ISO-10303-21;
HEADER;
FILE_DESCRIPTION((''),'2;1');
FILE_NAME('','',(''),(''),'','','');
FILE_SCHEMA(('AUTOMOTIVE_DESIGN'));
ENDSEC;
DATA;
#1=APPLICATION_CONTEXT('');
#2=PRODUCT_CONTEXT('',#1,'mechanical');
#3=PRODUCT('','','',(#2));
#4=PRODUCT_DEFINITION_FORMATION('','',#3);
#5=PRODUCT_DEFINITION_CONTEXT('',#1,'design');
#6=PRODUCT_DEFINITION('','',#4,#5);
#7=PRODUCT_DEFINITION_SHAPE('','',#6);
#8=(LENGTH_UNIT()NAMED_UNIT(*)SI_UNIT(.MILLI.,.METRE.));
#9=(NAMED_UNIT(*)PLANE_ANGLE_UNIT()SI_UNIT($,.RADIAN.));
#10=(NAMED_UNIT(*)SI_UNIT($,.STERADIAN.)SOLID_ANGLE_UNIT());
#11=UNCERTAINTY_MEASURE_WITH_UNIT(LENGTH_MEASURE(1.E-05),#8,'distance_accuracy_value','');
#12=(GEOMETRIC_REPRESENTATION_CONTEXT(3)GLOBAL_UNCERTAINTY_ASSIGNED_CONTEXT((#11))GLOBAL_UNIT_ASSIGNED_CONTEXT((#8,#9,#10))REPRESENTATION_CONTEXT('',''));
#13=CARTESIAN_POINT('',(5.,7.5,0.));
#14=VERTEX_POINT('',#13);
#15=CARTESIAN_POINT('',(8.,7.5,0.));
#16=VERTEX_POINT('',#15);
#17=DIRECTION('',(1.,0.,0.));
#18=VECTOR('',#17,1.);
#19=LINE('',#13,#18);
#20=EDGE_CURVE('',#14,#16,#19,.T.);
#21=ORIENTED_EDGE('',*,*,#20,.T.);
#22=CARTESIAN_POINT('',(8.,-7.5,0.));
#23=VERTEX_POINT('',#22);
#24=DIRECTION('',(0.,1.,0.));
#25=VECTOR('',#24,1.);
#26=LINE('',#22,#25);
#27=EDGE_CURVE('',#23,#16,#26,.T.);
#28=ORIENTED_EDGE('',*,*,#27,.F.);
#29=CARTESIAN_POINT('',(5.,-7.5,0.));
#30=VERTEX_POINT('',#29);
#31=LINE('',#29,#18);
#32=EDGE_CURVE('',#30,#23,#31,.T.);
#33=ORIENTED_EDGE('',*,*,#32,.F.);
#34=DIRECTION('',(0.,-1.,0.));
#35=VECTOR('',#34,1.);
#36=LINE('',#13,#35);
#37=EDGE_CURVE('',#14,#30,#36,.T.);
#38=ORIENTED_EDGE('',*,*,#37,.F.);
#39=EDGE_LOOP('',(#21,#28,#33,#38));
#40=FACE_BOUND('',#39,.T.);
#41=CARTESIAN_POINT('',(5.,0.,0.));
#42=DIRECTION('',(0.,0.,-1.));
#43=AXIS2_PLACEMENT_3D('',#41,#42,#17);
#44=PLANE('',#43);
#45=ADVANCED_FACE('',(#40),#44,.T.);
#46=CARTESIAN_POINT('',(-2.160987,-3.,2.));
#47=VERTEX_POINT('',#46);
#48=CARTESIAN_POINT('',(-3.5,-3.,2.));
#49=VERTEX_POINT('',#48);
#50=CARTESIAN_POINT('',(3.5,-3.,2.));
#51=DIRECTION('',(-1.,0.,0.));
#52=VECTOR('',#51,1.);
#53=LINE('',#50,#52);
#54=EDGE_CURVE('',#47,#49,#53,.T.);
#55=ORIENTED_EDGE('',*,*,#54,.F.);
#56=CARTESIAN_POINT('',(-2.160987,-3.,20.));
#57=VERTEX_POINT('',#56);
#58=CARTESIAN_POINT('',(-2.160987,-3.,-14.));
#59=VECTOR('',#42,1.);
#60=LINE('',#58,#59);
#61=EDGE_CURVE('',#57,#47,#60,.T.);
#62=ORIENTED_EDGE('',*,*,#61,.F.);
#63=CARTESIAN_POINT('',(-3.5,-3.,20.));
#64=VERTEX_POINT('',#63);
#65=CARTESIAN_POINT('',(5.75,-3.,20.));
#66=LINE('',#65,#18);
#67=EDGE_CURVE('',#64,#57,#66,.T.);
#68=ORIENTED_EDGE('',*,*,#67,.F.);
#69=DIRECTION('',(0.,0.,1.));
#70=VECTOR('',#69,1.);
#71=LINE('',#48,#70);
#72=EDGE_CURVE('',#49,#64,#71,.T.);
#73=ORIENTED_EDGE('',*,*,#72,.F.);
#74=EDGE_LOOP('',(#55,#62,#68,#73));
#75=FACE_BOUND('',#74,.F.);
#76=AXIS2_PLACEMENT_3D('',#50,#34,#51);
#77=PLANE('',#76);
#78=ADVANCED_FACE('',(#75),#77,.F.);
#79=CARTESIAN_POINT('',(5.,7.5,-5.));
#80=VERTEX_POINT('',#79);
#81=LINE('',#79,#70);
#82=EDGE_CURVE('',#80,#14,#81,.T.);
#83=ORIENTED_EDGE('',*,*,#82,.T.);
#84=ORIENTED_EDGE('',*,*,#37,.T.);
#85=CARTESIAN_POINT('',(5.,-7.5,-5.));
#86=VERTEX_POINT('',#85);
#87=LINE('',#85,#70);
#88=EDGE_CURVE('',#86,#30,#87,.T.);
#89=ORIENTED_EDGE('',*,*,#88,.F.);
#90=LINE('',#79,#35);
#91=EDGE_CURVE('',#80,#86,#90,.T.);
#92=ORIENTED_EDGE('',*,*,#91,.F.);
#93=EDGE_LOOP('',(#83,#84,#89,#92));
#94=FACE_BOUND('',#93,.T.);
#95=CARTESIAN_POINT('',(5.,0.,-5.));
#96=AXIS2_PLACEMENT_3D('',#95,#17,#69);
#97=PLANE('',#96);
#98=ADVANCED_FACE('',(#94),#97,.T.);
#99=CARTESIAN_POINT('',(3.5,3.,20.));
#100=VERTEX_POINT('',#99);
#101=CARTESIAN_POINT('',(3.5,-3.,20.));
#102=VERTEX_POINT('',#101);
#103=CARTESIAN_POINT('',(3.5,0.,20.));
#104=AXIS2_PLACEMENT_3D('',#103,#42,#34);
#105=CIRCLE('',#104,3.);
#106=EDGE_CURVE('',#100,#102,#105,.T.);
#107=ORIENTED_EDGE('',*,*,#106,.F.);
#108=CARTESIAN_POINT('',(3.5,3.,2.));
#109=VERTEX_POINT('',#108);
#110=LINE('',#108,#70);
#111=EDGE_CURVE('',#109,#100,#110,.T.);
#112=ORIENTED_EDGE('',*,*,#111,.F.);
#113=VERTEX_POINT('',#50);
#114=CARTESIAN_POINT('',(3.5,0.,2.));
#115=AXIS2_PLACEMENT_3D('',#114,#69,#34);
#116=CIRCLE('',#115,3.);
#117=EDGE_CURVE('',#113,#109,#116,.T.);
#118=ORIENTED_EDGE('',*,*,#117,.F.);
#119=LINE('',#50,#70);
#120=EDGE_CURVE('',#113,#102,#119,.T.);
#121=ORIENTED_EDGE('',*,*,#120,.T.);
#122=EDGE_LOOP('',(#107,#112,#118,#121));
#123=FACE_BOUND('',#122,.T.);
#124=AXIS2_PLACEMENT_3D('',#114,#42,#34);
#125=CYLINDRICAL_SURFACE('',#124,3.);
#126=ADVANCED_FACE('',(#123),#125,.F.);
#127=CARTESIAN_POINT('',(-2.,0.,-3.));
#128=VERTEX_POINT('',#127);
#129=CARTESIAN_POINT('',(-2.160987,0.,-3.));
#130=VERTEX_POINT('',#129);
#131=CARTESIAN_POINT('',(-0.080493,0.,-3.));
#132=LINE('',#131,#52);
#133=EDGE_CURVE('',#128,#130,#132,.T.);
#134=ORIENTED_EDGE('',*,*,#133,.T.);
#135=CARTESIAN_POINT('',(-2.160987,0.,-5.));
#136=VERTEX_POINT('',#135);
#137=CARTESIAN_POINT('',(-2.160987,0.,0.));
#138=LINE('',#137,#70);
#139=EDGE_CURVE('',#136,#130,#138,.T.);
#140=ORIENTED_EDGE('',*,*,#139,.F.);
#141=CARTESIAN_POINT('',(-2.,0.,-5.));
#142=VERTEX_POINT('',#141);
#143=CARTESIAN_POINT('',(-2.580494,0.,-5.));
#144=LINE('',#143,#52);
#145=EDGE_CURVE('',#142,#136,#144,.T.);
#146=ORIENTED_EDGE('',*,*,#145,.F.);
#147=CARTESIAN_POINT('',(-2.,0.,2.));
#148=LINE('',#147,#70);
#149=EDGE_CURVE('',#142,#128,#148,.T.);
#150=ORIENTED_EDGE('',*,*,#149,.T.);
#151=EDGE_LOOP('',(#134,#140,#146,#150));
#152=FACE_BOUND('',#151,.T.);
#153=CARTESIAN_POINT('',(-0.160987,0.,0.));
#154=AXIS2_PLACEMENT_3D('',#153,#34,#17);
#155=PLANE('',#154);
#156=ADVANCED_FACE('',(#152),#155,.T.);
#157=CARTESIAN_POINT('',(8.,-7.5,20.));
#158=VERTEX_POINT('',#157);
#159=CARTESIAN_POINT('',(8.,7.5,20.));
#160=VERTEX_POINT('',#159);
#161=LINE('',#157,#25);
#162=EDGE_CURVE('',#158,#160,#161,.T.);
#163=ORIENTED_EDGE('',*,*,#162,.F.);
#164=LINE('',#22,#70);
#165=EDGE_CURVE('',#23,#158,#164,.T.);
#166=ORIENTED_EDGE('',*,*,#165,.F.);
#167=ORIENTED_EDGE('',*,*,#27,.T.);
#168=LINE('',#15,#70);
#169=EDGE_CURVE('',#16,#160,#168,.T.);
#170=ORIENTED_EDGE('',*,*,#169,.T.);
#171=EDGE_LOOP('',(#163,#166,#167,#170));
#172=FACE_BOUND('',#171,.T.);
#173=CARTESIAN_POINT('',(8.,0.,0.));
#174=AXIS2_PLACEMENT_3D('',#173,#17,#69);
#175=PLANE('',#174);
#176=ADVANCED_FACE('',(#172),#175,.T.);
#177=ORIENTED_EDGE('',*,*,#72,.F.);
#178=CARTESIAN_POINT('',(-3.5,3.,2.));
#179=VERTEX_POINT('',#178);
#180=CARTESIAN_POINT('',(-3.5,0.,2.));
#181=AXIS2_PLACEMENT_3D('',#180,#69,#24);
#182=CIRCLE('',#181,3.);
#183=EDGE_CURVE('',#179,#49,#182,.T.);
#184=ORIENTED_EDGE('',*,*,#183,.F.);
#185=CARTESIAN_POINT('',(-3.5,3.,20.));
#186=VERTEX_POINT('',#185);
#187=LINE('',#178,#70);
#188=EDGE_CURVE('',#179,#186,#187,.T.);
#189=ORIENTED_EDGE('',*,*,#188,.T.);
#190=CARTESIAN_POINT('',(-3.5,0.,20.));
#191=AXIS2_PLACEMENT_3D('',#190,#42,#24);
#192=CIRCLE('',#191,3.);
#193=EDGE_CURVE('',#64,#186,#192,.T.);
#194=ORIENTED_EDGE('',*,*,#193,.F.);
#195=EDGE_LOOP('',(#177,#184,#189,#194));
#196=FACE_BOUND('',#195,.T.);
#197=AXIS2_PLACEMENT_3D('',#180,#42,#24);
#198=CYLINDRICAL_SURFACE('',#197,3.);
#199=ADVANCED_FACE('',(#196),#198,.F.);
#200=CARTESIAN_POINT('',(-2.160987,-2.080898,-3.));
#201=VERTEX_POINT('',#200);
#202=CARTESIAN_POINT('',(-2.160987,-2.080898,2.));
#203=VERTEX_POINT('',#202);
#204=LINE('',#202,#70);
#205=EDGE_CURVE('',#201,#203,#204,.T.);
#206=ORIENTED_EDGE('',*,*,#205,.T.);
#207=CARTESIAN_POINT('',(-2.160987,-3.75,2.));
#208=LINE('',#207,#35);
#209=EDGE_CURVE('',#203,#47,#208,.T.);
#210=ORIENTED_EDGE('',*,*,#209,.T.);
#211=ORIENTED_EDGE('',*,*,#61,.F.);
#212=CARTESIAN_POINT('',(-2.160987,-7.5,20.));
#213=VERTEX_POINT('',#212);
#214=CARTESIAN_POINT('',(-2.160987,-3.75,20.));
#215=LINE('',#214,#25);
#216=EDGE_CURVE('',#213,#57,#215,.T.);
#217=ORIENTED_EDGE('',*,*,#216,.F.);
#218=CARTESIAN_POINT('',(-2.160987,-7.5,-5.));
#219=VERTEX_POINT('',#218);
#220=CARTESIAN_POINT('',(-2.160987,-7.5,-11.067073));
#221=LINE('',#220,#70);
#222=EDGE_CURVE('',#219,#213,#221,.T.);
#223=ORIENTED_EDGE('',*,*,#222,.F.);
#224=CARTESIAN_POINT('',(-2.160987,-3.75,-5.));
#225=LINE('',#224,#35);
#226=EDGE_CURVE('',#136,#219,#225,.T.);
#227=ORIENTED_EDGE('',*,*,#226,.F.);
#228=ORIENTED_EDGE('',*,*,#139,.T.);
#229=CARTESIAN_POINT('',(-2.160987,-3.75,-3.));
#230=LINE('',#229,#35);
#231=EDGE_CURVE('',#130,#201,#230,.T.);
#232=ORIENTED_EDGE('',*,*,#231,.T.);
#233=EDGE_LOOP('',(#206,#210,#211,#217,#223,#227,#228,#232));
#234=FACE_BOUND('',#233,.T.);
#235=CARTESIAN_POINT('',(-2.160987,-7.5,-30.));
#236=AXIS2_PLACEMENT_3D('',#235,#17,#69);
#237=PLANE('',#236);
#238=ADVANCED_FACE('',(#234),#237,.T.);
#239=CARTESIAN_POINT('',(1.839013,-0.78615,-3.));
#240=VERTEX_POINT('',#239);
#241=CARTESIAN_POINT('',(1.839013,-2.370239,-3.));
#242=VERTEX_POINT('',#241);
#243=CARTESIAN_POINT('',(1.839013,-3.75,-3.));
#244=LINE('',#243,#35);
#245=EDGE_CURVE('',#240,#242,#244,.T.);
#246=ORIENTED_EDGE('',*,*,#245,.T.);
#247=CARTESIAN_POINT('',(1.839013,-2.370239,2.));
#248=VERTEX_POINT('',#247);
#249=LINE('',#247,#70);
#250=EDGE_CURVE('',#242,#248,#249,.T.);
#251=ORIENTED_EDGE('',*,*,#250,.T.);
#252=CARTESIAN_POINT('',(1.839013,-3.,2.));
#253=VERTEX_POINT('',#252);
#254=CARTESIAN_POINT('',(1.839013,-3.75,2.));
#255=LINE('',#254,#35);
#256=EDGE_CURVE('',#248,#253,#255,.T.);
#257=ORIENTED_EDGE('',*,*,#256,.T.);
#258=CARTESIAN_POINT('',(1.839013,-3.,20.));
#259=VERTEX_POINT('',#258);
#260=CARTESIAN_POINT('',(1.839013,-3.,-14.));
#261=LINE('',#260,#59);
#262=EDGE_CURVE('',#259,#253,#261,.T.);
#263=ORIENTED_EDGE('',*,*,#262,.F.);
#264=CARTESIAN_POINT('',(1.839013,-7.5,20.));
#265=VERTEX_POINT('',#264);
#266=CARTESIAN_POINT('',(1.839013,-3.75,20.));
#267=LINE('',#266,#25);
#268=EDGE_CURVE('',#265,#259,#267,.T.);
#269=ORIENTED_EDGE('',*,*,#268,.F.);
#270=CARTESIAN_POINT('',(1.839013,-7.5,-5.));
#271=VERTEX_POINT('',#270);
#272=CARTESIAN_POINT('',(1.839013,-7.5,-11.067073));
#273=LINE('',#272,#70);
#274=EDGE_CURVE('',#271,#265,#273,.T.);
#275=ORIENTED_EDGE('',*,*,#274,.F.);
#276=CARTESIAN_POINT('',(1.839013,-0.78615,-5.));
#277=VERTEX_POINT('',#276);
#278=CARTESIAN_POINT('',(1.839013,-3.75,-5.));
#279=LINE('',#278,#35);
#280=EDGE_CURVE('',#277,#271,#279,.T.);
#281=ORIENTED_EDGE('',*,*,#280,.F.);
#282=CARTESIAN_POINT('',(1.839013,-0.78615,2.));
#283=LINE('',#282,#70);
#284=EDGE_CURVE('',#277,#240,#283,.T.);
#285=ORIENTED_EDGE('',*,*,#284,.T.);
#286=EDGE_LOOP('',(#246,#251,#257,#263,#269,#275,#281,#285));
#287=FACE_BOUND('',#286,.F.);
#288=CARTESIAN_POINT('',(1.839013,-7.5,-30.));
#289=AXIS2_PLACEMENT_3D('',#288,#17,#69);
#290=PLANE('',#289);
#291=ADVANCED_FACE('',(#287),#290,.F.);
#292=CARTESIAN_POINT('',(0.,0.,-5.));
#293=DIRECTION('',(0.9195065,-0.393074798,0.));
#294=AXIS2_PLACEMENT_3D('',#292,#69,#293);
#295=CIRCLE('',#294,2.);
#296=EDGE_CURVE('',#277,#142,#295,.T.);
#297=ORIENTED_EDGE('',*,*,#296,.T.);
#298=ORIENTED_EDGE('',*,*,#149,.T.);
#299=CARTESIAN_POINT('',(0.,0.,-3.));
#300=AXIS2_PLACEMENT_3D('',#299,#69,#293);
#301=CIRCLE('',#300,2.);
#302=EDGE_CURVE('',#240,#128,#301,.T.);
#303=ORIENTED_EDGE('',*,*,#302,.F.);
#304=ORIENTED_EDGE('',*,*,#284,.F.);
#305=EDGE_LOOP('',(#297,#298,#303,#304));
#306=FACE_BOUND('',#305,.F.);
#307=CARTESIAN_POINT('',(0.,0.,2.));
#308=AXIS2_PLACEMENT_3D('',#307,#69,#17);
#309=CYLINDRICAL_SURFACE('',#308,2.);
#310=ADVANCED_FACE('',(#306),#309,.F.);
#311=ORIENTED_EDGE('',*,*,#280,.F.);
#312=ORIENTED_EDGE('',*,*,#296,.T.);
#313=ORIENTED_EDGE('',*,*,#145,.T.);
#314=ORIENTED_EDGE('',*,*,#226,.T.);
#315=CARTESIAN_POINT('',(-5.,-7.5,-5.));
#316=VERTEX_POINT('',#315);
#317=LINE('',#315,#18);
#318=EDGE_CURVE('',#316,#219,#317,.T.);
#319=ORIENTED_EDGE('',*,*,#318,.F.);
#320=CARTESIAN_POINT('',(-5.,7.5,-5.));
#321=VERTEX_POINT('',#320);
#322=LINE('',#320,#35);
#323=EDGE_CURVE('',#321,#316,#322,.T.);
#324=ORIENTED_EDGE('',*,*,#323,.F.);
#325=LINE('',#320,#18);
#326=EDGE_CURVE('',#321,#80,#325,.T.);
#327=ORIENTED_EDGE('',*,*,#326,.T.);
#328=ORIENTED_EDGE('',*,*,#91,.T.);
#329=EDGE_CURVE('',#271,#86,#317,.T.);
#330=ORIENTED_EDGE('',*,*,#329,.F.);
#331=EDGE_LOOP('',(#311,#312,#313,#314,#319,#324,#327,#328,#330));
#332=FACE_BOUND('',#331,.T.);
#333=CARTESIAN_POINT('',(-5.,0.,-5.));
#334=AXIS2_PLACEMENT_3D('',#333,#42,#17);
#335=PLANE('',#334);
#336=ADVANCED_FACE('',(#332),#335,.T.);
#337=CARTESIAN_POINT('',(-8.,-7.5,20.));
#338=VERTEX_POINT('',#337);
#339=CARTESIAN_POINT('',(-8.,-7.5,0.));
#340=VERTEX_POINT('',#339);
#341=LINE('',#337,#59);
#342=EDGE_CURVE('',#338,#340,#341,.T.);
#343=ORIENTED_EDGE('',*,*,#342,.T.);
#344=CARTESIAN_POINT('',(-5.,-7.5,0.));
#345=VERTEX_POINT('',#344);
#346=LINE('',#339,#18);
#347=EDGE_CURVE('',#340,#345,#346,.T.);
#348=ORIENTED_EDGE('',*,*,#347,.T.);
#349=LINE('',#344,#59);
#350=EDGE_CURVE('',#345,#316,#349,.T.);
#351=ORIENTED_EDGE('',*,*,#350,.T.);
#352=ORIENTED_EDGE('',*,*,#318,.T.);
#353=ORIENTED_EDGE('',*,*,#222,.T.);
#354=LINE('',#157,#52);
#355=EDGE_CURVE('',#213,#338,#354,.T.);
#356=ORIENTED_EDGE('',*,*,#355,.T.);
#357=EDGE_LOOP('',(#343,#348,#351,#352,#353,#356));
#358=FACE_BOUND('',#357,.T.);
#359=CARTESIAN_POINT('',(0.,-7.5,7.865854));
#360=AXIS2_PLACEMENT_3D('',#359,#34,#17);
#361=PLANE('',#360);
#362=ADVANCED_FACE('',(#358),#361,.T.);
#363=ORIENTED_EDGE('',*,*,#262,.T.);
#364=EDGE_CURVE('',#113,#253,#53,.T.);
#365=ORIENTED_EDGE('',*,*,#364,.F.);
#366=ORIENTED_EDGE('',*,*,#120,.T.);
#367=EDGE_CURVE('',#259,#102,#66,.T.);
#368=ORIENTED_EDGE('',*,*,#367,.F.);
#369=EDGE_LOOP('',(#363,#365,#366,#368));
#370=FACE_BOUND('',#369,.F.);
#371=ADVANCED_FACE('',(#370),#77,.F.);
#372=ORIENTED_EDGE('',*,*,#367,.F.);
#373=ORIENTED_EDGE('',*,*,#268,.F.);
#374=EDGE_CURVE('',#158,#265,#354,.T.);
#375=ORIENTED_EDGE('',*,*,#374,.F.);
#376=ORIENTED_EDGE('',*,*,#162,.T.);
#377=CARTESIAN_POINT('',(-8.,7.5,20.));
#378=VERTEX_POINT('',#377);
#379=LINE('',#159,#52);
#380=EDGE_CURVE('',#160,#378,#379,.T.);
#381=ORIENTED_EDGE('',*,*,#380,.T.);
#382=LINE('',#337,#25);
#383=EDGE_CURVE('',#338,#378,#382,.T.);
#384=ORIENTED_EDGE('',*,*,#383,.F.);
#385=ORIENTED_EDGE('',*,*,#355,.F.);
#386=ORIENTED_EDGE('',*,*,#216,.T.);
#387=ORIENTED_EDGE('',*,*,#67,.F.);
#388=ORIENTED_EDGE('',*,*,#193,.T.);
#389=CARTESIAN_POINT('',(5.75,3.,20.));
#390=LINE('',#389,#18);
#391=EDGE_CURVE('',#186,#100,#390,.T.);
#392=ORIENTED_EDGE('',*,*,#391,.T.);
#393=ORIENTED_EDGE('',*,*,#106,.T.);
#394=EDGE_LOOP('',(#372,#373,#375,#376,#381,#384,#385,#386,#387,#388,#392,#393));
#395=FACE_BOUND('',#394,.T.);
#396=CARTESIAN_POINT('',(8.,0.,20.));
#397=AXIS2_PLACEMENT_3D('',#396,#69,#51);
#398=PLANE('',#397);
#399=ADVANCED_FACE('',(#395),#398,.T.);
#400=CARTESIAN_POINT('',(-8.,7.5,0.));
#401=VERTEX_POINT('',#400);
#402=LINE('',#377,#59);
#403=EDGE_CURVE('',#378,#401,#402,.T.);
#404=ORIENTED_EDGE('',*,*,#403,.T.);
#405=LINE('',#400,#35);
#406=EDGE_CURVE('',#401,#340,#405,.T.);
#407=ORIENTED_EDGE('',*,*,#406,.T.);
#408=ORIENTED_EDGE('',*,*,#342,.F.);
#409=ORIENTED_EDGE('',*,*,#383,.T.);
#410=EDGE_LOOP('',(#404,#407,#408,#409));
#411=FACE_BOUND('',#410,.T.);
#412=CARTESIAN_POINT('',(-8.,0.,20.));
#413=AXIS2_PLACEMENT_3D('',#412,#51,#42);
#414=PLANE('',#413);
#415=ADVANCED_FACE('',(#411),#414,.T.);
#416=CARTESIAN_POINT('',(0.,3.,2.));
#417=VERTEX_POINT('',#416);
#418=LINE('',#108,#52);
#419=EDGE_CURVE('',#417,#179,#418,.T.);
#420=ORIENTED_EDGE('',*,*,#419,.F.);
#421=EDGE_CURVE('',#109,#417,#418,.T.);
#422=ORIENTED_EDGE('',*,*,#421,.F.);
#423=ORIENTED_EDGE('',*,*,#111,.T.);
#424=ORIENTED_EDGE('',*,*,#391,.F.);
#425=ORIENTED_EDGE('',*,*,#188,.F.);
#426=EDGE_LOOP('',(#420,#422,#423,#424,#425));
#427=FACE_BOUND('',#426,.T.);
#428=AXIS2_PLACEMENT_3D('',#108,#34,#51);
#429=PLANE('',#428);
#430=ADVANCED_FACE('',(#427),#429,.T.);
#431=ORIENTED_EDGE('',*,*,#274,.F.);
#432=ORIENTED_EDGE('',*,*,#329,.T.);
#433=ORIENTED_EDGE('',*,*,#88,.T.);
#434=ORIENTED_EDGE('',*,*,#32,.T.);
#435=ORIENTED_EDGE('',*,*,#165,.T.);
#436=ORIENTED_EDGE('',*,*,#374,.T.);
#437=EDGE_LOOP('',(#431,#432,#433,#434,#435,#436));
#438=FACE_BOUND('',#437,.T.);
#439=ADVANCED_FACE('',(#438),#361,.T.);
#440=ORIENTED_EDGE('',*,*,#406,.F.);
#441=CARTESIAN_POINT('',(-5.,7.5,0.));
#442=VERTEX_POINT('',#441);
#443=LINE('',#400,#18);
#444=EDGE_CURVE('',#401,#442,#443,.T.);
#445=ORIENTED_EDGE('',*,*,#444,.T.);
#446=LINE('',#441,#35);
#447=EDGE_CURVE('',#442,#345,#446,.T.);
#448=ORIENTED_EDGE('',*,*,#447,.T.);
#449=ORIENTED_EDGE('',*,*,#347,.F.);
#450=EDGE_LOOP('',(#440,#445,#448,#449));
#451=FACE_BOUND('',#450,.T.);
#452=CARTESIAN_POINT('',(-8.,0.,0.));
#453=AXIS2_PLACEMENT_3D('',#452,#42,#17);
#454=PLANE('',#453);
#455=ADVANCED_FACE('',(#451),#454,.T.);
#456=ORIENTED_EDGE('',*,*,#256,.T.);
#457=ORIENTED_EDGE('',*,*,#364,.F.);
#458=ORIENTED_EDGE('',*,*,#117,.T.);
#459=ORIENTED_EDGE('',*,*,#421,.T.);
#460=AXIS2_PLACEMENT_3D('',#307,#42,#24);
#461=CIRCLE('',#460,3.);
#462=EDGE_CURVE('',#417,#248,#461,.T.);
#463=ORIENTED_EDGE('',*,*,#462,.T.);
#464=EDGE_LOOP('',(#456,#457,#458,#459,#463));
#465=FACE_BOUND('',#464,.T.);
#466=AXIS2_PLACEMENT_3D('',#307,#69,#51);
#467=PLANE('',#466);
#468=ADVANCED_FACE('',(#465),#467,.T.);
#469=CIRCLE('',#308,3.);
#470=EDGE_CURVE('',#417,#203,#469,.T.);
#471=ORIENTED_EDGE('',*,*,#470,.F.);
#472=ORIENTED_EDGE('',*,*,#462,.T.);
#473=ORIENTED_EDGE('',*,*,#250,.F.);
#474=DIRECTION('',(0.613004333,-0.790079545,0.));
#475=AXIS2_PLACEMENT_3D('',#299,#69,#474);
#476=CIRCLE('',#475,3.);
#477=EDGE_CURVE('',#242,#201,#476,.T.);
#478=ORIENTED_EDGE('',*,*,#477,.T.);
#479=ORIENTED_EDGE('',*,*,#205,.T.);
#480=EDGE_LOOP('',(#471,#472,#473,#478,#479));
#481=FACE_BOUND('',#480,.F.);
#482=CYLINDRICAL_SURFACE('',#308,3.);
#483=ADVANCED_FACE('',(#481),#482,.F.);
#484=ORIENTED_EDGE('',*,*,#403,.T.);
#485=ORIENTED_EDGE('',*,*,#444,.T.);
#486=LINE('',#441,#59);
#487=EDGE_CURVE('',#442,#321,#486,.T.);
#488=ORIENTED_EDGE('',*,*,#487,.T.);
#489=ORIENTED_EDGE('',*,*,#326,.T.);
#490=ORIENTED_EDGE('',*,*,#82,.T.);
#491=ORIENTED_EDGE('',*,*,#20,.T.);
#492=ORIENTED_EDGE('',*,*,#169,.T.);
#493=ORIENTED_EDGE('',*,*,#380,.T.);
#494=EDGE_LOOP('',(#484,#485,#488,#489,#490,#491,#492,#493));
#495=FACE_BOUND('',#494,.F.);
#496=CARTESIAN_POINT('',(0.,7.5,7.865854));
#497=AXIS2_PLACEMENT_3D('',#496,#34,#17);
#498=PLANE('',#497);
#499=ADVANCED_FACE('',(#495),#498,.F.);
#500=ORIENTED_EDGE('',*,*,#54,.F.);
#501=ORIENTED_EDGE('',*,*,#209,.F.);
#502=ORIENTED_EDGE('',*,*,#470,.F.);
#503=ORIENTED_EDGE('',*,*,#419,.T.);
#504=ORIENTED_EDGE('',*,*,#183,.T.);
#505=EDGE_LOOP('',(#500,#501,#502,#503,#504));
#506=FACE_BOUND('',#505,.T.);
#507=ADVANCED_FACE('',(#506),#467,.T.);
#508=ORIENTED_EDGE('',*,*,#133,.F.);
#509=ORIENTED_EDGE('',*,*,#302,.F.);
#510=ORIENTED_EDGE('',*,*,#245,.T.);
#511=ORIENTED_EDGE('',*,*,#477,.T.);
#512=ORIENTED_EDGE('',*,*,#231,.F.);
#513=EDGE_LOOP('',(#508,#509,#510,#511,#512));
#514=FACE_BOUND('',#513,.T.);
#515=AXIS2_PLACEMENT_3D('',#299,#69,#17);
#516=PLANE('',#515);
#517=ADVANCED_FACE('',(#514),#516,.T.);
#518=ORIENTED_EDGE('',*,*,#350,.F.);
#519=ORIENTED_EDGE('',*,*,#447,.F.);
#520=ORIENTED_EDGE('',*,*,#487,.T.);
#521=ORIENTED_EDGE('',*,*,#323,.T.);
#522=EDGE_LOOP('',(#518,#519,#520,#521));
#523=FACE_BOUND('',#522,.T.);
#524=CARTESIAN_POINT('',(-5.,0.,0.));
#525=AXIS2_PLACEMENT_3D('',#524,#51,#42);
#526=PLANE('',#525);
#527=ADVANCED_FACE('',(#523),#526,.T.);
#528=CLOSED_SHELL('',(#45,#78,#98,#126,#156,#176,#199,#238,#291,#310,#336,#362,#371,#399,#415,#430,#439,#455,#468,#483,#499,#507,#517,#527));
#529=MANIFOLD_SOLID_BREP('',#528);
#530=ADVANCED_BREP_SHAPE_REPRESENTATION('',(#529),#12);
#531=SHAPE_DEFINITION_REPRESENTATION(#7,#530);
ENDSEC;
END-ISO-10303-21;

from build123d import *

# Parameters (mm, degrees)
SKETCH004_W  = 4
SKETCH004_H  = 60
PAD004_DEPTH = 7.5
PAD005_DEPTH = 30
SKETCH002_R  = 3
PAD006_DEPTH = 5
SKETCH003_R  = 2
PAD003_DEPTH = 40
PAD_DEPTH    = 7.5


with BuildPart() as pad004:
    # Sketch004 → Pad004 (new body, symmetric)
    with BuildSketch(Plane.XZ.offset(7.5)):
        with Locations((-0.160987, 0)):
            Rectangle(SKETCH004_W, SKETCH004_H)
    extrude(amount=PAD004_DEPTH, both=True)


with BuildPart() as pad005:
    # Sketch001 → Pad005 (new body)
    with BuildSketch(Plane(origin=(0, 0, 2), x_dir=(-1, 0, 0), z_dir=(0, 0, 1))):
        with BuildLine():
            ThreePointArc((-3.5, 3), (-6.5, 0), (-3.5, -3))
            Line((-3.5, -3), (3.5, -3))
            ThreePointArc((3.5, -3), (6.5, 0), (3.5, 3))
            Line((-3.5, 3), (3.5, 3))
        make_face()
    extrude(amount=PAD005_DEPTH)


with BuildPart() as pad006:
    # Sketch002 → Pad006 (new body, symmetric)
    with BuildSketch(Plane.XY.offset(2)):
        Circle(SKETCH002_R)
    extrude(amount=PAD006_DEPTH, both=True)


with BuildPart() as fusion:
    # Sketch003 → Pad003 (new body, symmetric)
    with BuildSketch(Plane.XY.offset(2)):
        Circle(SKETCH003_R)
    extrude(amount=PAD003_DEPTH, both=True)

    # Fusion: union Pad004, Pad005, Pad006
    add(pad004.part)
    add(pad005.part)
    add(pad006.part)


with BuildPart() as cut:
    # Sketch → Pad (new body, symmetric)
    with BuildSketch(Plane.XZ):
        Polygon((-8, 20), (-8, 0), (-5, 0), (-5, -5), (5, -5), (5, 0), (8, 0), (8, 20), align=None)
    extrude(amount=PAD_DEPTH, both=True)

    # Cut: cut Fusion
    add(fusion.part, mode=Mode.SUBTRACT)


solid = cut.part
